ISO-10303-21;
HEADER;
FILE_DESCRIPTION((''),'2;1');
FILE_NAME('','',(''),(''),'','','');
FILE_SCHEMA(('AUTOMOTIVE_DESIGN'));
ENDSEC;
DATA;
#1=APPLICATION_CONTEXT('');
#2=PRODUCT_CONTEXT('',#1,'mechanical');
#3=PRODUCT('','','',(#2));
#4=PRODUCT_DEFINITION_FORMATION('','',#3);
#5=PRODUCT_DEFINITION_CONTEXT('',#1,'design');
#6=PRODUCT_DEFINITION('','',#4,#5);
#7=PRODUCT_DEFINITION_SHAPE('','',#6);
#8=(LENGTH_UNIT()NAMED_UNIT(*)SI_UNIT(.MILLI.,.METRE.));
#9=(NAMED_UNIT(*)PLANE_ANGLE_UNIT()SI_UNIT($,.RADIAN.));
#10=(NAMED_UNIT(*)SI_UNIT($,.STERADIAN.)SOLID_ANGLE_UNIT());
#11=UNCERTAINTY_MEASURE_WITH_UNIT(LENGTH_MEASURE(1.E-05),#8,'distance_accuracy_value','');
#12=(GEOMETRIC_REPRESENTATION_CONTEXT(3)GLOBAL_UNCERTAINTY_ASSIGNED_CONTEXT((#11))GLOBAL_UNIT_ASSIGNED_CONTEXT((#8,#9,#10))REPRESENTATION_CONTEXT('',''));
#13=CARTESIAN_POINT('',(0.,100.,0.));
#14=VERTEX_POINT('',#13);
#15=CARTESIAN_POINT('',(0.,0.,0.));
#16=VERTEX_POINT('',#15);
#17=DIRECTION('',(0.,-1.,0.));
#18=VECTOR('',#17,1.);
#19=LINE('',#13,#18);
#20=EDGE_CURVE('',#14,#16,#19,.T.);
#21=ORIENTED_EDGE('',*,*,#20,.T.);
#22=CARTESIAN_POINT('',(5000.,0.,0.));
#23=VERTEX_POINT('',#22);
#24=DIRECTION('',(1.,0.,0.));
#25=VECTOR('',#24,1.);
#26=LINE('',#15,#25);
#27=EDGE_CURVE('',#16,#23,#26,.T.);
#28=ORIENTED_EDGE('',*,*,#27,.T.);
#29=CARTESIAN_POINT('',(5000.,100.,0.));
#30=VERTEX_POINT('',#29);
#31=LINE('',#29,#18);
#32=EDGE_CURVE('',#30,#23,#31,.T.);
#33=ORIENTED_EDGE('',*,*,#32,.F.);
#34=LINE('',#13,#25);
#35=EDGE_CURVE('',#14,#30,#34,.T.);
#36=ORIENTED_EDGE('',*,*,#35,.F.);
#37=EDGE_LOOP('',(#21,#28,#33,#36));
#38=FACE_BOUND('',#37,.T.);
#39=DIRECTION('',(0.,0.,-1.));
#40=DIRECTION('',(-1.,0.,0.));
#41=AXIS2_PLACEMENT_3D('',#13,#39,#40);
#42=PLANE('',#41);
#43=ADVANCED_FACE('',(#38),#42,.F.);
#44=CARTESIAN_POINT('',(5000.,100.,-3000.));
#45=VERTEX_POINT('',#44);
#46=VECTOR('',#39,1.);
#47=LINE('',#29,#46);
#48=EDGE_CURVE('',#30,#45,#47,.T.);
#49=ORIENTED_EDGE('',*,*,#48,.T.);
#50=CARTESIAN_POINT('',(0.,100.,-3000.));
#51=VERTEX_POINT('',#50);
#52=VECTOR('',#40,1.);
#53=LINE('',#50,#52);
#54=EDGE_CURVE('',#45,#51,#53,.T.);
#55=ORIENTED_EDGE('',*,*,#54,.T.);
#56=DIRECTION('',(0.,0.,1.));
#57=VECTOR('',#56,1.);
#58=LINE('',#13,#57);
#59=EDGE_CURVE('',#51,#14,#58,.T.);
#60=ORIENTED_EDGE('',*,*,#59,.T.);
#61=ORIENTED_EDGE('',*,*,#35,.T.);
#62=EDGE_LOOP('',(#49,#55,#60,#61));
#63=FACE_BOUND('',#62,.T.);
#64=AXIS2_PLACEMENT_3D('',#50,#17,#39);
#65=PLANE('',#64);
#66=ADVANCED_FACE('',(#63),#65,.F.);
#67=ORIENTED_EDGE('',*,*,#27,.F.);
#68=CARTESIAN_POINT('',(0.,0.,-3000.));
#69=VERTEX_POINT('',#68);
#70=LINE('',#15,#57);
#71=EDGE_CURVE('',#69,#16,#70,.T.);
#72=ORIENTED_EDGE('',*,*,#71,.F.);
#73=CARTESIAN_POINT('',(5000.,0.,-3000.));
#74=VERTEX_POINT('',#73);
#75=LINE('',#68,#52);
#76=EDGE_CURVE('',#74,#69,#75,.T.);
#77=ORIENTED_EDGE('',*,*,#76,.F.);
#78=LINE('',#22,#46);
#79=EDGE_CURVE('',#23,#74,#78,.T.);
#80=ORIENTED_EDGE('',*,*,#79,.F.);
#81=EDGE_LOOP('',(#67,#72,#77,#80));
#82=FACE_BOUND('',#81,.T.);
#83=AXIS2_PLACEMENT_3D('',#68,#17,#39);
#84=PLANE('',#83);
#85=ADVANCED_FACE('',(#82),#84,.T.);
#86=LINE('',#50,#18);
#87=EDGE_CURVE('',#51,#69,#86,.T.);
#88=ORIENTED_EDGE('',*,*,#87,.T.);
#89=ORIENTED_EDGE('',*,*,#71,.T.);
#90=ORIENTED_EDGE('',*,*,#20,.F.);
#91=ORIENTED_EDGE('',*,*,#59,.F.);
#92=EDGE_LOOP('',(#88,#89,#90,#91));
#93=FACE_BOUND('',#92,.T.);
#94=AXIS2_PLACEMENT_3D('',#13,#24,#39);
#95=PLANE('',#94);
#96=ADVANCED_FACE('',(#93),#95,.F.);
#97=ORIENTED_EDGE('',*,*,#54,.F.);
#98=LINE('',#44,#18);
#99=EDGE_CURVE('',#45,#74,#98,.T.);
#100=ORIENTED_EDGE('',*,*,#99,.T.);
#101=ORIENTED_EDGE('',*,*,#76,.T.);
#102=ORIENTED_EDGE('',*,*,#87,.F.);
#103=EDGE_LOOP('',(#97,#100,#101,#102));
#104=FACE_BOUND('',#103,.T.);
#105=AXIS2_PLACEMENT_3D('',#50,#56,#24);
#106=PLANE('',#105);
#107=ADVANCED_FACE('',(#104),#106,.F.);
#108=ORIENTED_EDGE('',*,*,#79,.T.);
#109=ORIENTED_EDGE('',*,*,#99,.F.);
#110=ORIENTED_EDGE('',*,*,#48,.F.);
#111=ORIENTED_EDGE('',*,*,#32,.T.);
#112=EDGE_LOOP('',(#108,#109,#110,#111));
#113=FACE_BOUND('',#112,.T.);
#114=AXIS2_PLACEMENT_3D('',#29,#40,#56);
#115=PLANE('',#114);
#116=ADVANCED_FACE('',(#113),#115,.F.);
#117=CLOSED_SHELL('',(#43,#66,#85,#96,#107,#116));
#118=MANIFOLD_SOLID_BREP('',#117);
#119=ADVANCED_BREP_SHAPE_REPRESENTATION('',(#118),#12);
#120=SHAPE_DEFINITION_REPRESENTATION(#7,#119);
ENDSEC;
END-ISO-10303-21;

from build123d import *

# Parameters (mm, degrees)
ESQUISSE1_W          = 5000
ESQUISSE1_H          = 3000
BASE_EXTRUSION_DEPTH = 100


with BuildPart() as part:
    # Esquisse1 → Base-Extrusion (new body)
    with BuildSketch(Plane(origin=(0, 0, 0), x_dir=(1, 0, 0), z_dir=(0, 1, 0))):
        with Locations((2500, 1500)):
            Rectangle(ESQUISSE1_W, ESQUISSE1_H)
    extrude(amount=BASE_EXTRUSION_DEPTH)


solid = part.part
